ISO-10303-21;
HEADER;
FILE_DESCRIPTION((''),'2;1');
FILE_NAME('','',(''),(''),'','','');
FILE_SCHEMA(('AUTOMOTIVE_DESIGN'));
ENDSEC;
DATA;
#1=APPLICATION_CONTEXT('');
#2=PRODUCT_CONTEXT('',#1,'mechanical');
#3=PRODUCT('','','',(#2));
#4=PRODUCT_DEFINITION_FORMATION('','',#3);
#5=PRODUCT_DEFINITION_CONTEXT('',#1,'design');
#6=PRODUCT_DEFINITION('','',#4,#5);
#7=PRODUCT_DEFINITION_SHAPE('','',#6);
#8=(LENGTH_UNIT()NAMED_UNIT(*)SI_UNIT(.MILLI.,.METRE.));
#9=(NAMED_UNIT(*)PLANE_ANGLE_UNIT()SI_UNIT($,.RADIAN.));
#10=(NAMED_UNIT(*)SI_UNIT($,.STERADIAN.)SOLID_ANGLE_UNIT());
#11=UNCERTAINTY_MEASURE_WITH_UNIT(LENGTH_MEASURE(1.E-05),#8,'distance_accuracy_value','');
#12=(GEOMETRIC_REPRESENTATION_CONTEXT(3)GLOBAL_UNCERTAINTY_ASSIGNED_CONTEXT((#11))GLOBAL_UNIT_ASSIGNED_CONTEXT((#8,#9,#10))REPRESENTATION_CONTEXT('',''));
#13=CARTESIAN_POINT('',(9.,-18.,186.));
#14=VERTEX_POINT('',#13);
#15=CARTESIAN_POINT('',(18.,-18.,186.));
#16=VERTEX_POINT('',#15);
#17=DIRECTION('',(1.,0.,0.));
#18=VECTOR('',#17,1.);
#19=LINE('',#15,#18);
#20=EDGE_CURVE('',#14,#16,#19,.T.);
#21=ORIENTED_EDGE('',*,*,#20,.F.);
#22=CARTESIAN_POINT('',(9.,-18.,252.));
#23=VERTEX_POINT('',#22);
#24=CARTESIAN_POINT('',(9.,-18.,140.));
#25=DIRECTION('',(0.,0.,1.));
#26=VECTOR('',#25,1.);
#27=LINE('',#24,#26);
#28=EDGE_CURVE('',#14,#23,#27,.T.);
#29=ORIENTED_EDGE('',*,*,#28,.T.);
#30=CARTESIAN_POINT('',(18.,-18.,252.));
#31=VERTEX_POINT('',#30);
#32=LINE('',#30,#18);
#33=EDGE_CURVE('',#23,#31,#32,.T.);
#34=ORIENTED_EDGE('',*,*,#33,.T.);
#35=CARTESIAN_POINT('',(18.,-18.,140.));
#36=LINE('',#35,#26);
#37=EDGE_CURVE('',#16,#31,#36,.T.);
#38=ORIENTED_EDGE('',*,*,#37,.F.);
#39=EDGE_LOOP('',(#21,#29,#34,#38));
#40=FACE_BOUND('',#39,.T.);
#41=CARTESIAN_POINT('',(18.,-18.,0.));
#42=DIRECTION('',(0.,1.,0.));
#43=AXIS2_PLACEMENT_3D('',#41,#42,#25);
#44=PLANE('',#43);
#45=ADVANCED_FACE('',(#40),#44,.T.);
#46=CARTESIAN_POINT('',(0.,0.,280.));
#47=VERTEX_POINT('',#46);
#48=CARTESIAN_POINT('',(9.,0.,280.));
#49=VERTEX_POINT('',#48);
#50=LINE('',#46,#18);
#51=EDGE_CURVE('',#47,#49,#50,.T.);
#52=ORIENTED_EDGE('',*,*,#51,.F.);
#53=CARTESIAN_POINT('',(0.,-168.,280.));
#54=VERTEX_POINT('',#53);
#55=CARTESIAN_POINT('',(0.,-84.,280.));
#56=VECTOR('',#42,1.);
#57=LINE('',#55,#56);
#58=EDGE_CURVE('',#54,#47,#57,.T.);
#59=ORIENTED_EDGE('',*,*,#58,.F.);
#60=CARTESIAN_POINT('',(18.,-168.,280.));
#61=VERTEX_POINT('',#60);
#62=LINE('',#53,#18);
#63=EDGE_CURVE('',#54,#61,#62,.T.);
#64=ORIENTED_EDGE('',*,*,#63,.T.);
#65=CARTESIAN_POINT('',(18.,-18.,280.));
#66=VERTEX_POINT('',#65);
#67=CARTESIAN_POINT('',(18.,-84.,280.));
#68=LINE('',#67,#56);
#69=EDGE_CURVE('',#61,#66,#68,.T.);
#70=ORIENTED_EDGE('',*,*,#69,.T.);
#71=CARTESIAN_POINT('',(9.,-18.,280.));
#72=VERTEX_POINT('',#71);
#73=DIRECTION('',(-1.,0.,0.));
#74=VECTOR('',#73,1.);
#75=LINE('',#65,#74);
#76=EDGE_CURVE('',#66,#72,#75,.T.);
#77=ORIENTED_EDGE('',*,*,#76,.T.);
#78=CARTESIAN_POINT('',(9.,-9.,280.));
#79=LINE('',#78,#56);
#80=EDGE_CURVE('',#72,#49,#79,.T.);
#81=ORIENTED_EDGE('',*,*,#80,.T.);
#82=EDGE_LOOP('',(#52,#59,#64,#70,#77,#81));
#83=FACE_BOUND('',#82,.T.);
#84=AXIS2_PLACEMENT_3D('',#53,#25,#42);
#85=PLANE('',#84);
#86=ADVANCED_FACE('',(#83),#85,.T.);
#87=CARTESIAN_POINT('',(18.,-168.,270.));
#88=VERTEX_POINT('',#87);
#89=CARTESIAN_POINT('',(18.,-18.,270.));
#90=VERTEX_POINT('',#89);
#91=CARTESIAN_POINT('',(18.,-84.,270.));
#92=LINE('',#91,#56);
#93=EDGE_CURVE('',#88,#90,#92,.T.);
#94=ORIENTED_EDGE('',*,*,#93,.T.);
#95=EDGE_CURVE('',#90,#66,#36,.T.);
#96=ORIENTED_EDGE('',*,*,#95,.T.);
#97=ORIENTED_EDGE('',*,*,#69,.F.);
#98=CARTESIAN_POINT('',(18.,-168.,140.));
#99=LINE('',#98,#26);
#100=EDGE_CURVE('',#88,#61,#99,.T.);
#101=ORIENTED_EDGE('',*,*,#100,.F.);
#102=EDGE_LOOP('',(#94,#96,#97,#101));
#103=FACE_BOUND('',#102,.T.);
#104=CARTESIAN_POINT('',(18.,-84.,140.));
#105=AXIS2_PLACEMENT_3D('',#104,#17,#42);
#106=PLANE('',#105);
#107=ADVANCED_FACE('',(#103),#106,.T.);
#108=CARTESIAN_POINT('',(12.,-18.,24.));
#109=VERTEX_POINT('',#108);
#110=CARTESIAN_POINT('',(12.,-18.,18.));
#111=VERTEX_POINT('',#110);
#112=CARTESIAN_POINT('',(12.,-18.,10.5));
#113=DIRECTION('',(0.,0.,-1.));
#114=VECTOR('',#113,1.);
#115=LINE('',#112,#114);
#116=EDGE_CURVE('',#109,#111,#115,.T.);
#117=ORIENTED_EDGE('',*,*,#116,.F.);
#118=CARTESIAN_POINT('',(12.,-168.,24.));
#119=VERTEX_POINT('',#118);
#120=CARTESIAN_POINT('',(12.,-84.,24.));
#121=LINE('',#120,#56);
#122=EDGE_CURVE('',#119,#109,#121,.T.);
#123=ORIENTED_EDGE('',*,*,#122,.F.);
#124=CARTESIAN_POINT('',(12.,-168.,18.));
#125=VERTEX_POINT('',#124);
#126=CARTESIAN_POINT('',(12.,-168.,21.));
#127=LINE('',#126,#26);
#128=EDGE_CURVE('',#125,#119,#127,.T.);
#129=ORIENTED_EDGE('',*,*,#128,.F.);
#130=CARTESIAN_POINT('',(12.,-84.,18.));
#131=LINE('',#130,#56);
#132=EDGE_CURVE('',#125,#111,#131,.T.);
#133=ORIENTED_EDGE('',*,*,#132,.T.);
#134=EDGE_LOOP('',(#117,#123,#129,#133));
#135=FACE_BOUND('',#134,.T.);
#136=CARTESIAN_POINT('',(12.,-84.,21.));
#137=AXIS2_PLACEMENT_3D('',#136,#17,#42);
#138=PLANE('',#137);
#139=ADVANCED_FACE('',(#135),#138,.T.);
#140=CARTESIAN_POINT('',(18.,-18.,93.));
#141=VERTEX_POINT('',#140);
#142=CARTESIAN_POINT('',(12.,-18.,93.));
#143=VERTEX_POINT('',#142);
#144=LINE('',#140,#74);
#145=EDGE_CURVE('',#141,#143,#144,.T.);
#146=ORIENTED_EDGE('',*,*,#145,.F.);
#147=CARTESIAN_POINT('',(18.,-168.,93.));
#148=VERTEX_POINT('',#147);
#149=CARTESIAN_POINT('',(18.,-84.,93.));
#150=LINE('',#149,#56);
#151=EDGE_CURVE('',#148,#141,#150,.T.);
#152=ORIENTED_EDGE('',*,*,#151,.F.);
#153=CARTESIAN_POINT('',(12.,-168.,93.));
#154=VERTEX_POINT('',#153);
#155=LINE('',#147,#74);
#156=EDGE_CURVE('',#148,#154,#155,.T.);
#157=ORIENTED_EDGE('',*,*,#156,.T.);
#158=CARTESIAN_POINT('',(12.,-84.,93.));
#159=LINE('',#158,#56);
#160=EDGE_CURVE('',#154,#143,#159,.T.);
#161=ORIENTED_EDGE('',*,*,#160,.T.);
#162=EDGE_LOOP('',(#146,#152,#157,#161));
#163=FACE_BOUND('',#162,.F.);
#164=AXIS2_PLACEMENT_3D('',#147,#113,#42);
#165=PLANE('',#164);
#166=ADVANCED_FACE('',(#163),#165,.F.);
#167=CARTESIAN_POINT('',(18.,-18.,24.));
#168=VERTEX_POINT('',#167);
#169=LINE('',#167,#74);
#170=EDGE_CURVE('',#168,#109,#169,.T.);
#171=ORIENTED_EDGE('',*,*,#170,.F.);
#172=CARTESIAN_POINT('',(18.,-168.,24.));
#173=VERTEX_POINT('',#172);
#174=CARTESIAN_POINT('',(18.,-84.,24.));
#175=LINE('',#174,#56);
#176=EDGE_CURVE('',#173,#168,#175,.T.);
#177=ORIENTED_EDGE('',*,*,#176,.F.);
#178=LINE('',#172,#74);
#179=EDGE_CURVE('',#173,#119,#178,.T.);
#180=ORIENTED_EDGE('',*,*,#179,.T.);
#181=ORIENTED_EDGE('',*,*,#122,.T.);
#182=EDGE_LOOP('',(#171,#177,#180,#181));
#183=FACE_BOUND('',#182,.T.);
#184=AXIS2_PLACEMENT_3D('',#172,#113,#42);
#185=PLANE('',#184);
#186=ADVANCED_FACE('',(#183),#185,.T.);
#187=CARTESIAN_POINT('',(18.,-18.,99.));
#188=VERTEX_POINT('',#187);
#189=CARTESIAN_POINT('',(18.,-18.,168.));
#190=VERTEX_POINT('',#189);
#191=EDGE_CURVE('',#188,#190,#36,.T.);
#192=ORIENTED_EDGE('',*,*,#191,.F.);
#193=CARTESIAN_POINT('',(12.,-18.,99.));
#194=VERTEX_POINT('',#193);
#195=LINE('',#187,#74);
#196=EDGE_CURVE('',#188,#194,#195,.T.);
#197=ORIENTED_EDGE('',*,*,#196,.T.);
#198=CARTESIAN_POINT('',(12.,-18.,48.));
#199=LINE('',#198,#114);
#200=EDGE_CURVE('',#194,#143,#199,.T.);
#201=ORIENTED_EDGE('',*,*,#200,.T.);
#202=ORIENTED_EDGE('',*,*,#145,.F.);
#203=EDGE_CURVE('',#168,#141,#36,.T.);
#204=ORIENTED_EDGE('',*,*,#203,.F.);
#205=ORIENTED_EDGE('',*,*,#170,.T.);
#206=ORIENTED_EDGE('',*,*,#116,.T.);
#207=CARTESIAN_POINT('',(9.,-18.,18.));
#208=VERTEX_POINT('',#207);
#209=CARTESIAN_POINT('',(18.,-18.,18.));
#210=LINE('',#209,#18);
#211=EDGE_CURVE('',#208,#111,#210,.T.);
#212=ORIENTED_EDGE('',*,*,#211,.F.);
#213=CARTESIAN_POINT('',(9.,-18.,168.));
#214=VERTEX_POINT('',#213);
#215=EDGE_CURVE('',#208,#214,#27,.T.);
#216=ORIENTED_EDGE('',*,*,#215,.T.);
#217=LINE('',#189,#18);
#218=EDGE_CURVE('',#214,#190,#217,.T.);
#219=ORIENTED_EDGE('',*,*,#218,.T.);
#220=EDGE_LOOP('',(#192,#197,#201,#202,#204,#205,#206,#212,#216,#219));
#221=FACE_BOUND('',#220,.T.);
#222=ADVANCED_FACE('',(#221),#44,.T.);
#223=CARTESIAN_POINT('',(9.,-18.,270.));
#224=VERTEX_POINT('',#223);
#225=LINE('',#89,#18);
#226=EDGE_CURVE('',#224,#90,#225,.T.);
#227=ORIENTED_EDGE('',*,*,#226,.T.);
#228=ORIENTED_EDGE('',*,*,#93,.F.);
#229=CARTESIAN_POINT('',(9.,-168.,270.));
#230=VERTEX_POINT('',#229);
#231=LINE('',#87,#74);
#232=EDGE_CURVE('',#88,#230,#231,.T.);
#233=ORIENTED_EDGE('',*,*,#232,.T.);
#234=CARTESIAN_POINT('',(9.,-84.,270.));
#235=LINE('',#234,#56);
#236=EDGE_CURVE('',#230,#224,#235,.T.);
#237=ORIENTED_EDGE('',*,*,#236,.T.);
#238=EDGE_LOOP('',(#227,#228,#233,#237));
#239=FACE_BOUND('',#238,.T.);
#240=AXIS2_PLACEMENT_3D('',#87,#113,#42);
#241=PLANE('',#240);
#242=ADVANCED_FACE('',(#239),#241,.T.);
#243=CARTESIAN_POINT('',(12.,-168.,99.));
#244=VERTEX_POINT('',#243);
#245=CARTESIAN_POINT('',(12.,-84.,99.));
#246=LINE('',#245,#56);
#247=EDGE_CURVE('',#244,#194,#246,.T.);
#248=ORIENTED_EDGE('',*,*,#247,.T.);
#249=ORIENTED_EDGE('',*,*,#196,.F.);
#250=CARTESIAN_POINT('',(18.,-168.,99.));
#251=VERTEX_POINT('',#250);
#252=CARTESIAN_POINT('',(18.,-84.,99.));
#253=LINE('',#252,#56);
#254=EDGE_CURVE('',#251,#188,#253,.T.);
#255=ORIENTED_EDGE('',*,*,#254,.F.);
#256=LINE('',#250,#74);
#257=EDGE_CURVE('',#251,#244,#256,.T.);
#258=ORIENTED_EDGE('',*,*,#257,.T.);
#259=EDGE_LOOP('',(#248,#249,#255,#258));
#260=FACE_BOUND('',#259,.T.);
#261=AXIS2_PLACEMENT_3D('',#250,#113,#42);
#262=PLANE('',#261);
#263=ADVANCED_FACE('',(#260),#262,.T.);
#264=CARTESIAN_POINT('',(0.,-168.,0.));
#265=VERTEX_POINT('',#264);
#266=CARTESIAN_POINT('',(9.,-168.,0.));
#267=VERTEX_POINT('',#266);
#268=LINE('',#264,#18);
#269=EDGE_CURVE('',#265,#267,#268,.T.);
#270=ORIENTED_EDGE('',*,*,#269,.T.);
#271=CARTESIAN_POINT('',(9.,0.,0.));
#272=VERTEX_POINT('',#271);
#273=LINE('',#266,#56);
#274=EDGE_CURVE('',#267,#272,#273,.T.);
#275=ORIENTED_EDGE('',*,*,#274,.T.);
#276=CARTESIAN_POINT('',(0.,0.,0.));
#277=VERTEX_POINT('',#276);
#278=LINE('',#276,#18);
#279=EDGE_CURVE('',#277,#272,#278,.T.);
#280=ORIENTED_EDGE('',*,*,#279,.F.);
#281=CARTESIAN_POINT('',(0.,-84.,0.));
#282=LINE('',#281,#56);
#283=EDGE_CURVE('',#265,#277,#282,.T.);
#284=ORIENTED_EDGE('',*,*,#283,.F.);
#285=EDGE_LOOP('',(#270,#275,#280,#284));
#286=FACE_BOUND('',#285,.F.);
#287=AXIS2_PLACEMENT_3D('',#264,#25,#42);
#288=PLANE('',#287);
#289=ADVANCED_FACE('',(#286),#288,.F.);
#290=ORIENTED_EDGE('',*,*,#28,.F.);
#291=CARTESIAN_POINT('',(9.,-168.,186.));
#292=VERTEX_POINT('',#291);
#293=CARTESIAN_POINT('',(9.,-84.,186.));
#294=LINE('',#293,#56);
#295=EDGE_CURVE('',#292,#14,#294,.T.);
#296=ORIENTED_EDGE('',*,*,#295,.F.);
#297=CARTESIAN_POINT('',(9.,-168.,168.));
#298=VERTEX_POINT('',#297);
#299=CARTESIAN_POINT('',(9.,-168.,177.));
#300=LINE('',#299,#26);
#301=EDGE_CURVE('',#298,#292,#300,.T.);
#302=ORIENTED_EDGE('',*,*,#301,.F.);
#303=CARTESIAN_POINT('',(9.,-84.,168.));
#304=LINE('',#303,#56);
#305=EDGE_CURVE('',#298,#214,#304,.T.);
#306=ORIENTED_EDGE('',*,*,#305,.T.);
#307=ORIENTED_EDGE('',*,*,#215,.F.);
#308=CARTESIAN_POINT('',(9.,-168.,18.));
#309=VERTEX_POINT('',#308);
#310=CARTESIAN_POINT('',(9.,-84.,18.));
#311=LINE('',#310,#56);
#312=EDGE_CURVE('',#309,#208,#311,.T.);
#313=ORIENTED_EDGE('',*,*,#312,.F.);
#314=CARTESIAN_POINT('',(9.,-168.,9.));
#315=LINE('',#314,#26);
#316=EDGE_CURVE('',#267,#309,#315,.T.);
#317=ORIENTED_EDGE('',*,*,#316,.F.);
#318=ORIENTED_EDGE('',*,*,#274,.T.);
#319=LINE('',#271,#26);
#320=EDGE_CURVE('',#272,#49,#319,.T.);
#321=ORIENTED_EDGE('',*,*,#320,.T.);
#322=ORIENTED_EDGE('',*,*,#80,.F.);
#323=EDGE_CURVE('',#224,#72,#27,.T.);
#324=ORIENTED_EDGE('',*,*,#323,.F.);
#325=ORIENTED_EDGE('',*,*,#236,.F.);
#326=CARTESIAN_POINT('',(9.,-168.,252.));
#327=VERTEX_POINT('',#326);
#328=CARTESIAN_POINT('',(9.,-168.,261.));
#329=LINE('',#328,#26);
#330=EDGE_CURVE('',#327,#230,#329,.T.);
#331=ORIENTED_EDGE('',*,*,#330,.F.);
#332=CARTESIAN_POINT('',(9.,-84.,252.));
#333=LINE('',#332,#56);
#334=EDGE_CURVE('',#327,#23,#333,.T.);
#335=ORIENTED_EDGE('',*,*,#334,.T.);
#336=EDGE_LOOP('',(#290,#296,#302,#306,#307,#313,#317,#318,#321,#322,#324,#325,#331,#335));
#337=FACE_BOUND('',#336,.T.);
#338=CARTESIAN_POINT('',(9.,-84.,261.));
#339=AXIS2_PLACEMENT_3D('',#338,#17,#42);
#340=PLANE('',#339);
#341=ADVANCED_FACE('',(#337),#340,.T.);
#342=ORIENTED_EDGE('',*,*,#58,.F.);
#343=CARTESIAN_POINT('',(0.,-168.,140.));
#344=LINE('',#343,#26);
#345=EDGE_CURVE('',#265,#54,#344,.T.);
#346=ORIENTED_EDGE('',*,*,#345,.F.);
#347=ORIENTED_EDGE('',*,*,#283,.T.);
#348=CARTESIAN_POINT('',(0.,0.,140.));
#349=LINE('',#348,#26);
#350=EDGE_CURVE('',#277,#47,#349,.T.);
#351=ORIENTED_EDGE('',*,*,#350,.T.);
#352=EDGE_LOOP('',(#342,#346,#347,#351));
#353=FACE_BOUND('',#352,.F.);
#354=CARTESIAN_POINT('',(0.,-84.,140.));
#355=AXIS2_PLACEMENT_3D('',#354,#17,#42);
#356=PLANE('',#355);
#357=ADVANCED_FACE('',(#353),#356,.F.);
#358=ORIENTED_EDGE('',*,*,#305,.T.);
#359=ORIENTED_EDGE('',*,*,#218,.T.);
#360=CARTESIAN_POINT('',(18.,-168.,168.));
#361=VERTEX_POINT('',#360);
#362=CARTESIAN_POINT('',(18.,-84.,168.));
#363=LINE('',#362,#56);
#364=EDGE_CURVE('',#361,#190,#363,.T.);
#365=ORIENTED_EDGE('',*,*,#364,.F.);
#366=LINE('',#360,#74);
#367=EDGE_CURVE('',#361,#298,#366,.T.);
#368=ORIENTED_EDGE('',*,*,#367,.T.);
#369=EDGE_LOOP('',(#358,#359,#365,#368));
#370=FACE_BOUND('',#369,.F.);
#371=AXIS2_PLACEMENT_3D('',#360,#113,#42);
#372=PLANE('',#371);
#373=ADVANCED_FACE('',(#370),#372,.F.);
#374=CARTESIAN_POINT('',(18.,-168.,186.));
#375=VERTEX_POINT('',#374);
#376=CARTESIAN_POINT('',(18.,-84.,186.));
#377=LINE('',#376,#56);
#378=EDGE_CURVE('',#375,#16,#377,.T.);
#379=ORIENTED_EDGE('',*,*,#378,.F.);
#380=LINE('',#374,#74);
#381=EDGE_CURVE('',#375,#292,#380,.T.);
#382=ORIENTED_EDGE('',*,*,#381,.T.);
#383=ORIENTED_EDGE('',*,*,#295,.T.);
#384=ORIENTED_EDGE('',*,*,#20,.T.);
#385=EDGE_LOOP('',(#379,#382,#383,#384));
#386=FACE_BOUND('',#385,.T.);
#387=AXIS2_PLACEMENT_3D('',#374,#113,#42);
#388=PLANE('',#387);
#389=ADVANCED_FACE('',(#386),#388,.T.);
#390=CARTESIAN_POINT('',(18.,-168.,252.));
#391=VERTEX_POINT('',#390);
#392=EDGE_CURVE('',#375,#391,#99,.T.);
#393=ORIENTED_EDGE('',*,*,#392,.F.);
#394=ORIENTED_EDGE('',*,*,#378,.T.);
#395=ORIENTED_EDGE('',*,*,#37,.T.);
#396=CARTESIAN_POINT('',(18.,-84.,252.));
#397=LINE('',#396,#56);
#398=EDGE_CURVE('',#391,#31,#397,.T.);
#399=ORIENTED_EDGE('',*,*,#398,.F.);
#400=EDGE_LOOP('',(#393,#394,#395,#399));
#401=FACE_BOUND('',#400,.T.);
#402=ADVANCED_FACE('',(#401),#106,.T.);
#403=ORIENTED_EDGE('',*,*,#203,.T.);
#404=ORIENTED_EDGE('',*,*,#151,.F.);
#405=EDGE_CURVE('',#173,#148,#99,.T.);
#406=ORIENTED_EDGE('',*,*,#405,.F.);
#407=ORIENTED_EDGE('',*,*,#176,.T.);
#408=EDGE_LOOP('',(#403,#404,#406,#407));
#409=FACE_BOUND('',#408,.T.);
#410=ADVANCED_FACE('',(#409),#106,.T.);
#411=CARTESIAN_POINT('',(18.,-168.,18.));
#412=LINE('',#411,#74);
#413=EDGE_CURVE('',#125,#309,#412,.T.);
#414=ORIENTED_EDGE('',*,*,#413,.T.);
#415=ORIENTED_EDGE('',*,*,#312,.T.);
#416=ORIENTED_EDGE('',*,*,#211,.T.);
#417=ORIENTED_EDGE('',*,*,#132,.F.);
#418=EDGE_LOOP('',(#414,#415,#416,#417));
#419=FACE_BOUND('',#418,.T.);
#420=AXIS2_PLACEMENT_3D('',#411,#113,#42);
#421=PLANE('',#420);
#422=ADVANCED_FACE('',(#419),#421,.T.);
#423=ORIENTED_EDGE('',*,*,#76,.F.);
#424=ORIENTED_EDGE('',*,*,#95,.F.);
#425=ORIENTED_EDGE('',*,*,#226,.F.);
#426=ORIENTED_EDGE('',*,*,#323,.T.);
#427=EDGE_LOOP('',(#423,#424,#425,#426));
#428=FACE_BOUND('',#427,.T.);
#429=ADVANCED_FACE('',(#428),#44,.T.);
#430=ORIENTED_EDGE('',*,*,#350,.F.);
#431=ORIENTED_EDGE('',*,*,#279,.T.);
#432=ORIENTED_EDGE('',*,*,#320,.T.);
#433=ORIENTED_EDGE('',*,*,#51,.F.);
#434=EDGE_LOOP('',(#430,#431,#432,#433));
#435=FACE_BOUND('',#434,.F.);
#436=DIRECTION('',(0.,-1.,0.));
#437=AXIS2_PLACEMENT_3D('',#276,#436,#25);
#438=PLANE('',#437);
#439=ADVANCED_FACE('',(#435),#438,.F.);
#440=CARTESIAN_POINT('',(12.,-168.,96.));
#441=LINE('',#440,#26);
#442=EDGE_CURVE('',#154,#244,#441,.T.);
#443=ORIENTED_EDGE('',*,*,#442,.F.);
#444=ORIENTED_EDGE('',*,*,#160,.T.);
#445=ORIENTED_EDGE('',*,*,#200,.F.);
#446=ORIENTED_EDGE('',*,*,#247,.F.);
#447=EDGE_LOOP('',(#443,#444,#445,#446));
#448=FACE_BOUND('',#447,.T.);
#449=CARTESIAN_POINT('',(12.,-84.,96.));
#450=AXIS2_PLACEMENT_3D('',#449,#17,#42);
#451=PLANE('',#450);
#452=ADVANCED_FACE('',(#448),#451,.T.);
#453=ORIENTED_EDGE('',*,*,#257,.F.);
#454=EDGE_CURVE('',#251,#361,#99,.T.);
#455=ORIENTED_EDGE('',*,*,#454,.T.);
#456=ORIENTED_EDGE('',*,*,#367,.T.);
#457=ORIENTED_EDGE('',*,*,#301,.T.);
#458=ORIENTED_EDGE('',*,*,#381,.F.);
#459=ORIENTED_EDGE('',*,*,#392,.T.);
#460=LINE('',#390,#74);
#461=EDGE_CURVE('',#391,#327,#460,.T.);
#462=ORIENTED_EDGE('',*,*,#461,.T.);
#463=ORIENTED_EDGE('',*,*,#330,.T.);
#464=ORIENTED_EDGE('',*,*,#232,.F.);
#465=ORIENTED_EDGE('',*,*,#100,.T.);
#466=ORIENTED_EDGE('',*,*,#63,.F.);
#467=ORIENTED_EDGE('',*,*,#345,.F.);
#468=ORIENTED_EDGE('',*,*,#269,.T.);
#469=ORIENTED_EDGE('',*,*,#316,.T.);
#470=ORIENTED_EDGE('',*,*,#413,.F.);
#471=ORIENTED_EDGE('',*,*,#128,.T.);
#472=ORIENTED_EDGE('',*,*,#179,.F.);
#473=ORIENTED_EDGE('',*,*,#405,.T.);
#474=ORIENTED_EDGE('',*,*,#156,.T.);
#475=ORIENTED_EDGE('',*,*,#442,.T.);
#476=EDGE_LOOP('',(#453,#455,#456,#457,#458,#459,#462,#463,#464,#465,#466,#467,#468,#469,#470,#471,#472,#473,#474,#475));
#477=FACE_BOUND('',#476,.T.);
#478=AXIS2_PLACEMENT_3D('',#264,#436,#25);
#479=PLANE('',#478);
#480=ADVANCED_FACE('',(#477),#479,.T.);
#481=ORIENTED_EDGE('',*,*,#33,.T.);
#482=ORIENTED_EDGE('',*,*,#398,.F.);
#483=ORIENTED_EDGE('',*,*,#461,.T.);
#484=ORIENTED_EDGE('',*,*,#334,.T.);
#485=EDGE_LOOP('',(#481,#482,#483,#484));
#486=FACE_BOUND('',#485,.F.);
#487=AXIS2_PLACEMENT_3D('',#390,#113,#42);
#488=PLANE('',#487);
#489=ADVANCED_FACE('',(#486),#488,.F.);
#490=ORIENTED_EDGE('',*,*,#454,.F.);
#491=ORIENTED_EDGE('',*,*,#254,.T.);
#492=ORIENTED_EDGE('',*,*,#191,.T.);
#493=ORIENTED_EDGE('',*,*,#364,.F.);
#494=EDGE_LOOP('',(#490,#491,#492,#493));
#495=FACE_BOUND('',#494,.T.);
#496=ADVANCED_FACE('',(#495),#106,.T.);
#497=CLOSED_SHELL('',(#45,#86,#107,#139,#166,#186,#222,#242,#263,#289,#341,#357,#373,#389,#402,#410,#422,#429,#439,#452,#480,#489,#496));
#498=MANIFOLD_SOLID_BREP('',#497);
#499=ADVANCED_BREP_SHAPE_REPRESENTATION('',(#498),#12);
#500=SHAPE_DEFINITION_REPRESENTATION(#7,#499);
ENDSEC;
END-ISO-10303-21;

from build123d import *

# Parameters (mm, degrees)
SKETCH_W        = 168
SKETCH_H        = 280
PAD_DEPTH       = 18
SKETCH001_W     = 168
SKETCH001_H     = 18
POCKET_DEPTH    = 9
SKETCH002_W     = 18
SKETCH002_H     = 280
POCKET001_DEPTH = 9
SKETCH003_W     = 168
SKETCH003_H     = 6
POCKET002_DEPTH = 6


with BuildPart() as part:
    # Sketch → Pad (new body)
    with BuildSketch(Plane.YZ):
        with Locations((-84, 140)):
            Rectangle(SKETCH_W, SKETCH_H)
    extrude(amount=PAD_DEPTH)

    # Sketch001 (on Face6 of Pad) → Pocket (cut)
    with BuildSketch(Plane.YZ.offset(18)):
        with Locations((-84, 9)):
            Rectangle(SKETCH001_W, SKETCH001_H)
        with Locations((-84, 177)):
            Rectangle(SKETCH001_W, SKETCH001_H)
        with Locations((-84, 261)):
            Rectangle(SKETCH001_W, SKETCH001_H)
    extrude(amount=-POCKET_DEPTH, mode=Mode.SUBTRACT)

    # Sketch002 (on Face35 of Pocket) → Pocket001 (cut)
    with BuildSketch(Plane.YZ.offset(18)):
        with Locations((-9, 140)):
            Rectangle(SKETCH002_W, SKETCH002_H)
    extrude(amount=-POCKET001_DEPTH, mode=Mode.SUBTRACT)

    # Sketch003 (on Face12 of Pocket001) → Pocket002 (cut)
    with BuildSketch(Plane.YZ.offset(18)):
        with Locations((-84, 21)):
            Rectangle(SKETCH003_W, SKETCH003_H)
        with Locations((-84, 96)):
            Rectangle(SKETCH003_W, SKETCH003_H)
    extrude(amount=-POCKET002_DEPTH, mode=Mode.SUBTRACT)


solid = part.part
